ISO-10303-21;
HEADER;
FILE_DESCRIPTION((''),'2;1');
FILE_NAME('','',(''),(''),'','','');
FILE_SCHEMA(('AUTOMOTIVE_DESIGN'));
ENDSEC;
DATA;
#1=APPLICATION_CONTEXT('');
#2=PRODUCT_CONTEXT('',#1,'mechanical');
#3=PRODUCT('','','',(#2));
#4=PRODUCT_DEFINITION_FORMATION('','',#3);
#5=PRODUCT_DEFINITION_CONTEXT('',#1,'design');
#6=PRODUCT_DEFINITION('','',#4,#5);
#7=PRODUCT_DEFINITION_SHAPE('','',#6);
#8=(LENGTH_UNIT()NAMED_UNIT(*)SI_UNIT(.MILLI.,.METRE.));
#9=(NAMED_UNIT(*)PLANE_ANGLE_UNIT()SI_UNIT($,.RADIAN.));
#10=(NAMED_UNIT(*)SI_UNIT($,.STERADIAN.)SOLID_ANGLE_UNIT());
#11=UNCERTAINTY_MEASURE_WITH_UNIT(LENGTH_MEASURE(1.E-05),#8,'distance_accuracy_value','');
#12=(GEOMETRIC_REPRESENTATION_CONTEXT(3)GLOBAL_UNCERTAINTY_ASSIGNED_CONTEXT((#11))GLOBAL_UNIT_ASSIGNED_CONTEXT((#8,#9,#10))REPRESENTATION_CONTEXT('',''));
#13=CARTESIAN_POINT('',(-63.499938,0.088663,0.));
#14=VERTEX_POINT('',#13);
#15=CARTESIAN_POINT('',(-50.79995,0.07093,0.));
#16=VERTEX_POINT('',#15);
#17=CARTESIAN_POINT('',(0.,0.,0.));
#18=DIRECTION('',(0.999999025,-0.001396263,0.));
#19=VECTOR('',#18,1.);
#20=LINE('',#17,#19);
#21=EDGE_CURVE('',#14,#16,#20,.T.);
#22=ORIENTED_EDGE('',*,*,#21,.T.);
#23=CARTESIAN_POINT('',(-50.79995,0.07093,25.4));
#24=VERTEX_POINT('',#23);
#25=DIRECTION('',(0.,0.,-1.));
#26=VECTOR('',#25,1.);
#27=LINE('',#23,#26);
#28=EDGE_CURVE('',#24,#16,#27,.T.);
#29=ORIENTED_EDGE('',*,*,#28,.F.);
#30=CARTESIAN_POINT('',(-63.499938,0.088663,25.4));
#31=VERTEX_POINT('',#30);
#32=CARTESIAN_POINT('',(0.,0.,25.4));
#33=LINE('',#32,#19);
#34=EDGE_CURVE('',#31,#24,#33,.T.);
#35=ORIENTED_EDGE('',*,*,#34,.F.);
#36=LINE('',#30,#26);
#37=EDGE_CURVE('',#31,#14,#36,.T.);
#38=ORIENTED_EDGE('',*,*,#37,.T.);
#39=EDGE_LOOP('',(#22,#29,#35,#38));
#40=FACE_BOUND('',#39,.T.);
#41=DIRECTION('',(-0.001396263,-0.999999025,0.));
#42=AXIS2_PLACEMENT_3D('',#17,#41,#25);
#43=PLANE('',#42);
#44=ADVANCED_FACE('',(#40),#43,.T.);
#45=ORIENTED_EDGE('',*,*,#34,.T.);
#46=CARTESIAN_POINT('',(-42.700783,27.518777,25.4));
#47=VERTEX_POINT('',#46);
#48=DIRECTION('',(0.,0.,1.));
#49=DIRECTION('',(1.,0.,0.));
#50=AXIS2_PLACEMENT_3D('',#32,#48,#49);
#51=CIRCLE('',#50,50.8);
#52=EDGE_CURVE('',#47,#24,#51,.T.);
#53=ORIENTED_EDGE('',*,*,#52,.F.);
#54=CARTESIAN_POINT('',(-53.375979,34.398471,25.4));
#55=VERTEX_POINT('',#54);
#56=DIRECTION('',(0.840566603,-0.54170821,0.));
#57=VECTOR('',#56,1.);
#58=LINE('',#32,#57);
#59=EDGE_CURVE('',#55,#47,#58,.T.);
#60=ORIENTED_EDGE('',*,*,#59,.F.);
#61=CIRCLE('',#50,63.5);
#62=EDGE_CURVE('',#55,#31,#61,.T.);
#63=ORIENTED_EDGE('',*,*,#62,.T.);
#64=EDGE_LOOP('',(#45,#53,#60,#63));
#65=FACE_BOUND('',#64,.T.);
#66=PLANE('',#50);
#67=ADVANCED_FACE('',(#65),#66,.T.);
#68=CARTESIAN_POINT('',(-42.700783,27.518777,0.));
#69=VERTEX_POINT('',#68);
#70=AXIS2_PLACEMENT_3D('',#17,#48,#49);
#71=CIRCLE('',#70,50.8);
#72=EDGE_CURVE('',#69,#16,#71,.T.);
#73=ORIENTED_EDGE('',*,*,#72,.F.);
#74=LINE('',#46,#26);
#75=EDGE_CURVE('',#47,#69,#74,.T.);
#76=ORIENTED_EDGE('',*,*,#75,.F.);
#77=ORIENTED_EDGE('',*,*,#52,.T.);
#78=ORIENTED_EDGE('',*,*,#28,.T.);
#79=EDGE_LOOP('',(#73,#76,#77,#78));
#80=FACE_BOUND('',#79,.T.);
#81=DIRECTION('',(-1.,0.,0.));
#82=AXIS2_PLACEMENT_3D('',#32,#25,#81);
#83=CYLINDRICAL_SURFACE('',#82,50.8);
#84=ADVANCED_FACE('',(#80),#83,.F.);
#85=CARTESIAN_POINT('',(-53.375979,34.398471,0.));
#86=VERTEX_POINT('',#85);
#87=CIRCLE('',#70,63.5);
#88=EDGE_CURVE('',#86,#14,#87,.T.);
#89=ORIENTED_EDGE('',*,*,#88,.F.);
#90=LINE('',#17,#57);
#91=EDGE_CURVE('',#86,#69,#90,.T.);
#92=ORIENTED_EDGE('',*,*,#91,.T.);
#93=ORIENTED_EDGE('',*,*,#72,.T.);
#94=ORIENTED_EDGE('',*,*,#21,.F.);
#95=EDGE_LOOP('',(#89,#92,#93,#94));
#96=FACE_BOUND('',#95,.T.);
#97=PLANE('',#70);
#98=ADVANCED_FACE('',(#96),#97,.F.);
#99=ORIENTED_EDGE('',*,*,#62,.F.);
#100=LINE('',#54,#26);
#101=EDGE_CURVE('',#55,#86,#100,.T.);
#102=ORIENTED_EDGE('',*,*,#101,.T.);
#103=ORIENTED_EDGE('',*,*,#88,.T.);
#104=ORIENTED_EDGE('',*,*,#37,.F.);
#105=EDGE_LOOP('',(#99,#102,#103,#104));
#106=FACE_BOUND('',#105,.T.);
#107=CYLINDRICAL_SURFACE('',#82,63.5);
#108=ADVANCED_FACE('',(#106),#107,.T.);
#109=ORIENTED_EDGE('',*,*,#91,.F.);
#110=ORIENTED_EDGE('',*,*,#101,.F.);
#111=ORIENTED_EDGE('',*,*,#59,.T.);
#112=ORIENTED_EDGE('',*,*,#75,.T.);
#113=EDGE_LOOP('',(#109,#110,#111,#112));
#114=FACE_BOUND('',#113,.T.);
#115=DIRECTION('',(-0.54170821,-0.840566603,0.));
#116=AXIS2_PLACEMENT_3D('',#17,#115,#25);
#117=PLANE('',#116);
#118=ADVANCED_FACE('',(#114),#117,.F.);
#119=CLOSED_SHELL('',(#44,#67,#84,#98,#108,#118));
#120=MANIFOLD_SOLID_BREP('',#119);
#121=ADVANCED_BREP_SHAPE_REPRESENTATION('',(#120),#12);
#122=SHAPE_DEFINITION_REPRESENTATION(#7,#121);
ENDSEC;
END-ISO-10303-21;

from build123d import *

# Parameters (mm, degrees)
SKETCH1_R           = 63.5
SKETCH1_R_2         = 50.8
BOSS_EXTRUDE1_DEPTH = 25.4
SKETCH2_W           = 45.380209112
SKETCH2_H           = 34.63225072
CUT_REVOLVE1_ANGLE  = 0.08
SKETCH2_2_W         = 45.380209112
SKETCH2_2_H         = 34.63225072
CUT_REVOLVE2_ANGLE  = 327.2


with BuildPart() as part:
    # Sketch1 → Boss-Extrude1 (new body)
    with BuildSketch(Plane.XY):
        Circle(SKETCH1_R)
        Circle(SKETCH1_R_2, mode=Mode.SUBTRACT)
    extrude(amount=BOSS_EXTRUDE1_DEPTH)

    # Sketch2 → Cut-Revolve1 (revolve, cut)
    with BuildSketch(Plane(origin=(0, 0, 0), x_dir=(1, 0, 0), z_dir=(0, 1, 0))):
        with Locations((-63.5, -12.7)):
            Rectangle(SKETCH2_W, SKETCH2_H)
    revolve(axis=Axis((0, 0, 25.4), (0, 0, -1)), revolution_arc=CUT_REVOLVE1_ANGLE, mode=Mode.SUBTRACT)

    # Sketch2<2> → Cut-Revolve2 (revolve, cut)
    with BuildSketch(Plane(origin=(0, 0, 0), x_dir=(1, 0, 0), z_dir=(0, 1, 0))):
        with Locations((-63.5, -12.7)):
            Rectangle(SKETCH2_2_W, SKETCH2_2_H)
    revolve(axis=Axis((0, 0, 25.4), (0, 0, 1)), revolution_arc=CUT_REVOLVE2_ANGLE, mode=Mode.SUBTRACT)


solid = part.part
